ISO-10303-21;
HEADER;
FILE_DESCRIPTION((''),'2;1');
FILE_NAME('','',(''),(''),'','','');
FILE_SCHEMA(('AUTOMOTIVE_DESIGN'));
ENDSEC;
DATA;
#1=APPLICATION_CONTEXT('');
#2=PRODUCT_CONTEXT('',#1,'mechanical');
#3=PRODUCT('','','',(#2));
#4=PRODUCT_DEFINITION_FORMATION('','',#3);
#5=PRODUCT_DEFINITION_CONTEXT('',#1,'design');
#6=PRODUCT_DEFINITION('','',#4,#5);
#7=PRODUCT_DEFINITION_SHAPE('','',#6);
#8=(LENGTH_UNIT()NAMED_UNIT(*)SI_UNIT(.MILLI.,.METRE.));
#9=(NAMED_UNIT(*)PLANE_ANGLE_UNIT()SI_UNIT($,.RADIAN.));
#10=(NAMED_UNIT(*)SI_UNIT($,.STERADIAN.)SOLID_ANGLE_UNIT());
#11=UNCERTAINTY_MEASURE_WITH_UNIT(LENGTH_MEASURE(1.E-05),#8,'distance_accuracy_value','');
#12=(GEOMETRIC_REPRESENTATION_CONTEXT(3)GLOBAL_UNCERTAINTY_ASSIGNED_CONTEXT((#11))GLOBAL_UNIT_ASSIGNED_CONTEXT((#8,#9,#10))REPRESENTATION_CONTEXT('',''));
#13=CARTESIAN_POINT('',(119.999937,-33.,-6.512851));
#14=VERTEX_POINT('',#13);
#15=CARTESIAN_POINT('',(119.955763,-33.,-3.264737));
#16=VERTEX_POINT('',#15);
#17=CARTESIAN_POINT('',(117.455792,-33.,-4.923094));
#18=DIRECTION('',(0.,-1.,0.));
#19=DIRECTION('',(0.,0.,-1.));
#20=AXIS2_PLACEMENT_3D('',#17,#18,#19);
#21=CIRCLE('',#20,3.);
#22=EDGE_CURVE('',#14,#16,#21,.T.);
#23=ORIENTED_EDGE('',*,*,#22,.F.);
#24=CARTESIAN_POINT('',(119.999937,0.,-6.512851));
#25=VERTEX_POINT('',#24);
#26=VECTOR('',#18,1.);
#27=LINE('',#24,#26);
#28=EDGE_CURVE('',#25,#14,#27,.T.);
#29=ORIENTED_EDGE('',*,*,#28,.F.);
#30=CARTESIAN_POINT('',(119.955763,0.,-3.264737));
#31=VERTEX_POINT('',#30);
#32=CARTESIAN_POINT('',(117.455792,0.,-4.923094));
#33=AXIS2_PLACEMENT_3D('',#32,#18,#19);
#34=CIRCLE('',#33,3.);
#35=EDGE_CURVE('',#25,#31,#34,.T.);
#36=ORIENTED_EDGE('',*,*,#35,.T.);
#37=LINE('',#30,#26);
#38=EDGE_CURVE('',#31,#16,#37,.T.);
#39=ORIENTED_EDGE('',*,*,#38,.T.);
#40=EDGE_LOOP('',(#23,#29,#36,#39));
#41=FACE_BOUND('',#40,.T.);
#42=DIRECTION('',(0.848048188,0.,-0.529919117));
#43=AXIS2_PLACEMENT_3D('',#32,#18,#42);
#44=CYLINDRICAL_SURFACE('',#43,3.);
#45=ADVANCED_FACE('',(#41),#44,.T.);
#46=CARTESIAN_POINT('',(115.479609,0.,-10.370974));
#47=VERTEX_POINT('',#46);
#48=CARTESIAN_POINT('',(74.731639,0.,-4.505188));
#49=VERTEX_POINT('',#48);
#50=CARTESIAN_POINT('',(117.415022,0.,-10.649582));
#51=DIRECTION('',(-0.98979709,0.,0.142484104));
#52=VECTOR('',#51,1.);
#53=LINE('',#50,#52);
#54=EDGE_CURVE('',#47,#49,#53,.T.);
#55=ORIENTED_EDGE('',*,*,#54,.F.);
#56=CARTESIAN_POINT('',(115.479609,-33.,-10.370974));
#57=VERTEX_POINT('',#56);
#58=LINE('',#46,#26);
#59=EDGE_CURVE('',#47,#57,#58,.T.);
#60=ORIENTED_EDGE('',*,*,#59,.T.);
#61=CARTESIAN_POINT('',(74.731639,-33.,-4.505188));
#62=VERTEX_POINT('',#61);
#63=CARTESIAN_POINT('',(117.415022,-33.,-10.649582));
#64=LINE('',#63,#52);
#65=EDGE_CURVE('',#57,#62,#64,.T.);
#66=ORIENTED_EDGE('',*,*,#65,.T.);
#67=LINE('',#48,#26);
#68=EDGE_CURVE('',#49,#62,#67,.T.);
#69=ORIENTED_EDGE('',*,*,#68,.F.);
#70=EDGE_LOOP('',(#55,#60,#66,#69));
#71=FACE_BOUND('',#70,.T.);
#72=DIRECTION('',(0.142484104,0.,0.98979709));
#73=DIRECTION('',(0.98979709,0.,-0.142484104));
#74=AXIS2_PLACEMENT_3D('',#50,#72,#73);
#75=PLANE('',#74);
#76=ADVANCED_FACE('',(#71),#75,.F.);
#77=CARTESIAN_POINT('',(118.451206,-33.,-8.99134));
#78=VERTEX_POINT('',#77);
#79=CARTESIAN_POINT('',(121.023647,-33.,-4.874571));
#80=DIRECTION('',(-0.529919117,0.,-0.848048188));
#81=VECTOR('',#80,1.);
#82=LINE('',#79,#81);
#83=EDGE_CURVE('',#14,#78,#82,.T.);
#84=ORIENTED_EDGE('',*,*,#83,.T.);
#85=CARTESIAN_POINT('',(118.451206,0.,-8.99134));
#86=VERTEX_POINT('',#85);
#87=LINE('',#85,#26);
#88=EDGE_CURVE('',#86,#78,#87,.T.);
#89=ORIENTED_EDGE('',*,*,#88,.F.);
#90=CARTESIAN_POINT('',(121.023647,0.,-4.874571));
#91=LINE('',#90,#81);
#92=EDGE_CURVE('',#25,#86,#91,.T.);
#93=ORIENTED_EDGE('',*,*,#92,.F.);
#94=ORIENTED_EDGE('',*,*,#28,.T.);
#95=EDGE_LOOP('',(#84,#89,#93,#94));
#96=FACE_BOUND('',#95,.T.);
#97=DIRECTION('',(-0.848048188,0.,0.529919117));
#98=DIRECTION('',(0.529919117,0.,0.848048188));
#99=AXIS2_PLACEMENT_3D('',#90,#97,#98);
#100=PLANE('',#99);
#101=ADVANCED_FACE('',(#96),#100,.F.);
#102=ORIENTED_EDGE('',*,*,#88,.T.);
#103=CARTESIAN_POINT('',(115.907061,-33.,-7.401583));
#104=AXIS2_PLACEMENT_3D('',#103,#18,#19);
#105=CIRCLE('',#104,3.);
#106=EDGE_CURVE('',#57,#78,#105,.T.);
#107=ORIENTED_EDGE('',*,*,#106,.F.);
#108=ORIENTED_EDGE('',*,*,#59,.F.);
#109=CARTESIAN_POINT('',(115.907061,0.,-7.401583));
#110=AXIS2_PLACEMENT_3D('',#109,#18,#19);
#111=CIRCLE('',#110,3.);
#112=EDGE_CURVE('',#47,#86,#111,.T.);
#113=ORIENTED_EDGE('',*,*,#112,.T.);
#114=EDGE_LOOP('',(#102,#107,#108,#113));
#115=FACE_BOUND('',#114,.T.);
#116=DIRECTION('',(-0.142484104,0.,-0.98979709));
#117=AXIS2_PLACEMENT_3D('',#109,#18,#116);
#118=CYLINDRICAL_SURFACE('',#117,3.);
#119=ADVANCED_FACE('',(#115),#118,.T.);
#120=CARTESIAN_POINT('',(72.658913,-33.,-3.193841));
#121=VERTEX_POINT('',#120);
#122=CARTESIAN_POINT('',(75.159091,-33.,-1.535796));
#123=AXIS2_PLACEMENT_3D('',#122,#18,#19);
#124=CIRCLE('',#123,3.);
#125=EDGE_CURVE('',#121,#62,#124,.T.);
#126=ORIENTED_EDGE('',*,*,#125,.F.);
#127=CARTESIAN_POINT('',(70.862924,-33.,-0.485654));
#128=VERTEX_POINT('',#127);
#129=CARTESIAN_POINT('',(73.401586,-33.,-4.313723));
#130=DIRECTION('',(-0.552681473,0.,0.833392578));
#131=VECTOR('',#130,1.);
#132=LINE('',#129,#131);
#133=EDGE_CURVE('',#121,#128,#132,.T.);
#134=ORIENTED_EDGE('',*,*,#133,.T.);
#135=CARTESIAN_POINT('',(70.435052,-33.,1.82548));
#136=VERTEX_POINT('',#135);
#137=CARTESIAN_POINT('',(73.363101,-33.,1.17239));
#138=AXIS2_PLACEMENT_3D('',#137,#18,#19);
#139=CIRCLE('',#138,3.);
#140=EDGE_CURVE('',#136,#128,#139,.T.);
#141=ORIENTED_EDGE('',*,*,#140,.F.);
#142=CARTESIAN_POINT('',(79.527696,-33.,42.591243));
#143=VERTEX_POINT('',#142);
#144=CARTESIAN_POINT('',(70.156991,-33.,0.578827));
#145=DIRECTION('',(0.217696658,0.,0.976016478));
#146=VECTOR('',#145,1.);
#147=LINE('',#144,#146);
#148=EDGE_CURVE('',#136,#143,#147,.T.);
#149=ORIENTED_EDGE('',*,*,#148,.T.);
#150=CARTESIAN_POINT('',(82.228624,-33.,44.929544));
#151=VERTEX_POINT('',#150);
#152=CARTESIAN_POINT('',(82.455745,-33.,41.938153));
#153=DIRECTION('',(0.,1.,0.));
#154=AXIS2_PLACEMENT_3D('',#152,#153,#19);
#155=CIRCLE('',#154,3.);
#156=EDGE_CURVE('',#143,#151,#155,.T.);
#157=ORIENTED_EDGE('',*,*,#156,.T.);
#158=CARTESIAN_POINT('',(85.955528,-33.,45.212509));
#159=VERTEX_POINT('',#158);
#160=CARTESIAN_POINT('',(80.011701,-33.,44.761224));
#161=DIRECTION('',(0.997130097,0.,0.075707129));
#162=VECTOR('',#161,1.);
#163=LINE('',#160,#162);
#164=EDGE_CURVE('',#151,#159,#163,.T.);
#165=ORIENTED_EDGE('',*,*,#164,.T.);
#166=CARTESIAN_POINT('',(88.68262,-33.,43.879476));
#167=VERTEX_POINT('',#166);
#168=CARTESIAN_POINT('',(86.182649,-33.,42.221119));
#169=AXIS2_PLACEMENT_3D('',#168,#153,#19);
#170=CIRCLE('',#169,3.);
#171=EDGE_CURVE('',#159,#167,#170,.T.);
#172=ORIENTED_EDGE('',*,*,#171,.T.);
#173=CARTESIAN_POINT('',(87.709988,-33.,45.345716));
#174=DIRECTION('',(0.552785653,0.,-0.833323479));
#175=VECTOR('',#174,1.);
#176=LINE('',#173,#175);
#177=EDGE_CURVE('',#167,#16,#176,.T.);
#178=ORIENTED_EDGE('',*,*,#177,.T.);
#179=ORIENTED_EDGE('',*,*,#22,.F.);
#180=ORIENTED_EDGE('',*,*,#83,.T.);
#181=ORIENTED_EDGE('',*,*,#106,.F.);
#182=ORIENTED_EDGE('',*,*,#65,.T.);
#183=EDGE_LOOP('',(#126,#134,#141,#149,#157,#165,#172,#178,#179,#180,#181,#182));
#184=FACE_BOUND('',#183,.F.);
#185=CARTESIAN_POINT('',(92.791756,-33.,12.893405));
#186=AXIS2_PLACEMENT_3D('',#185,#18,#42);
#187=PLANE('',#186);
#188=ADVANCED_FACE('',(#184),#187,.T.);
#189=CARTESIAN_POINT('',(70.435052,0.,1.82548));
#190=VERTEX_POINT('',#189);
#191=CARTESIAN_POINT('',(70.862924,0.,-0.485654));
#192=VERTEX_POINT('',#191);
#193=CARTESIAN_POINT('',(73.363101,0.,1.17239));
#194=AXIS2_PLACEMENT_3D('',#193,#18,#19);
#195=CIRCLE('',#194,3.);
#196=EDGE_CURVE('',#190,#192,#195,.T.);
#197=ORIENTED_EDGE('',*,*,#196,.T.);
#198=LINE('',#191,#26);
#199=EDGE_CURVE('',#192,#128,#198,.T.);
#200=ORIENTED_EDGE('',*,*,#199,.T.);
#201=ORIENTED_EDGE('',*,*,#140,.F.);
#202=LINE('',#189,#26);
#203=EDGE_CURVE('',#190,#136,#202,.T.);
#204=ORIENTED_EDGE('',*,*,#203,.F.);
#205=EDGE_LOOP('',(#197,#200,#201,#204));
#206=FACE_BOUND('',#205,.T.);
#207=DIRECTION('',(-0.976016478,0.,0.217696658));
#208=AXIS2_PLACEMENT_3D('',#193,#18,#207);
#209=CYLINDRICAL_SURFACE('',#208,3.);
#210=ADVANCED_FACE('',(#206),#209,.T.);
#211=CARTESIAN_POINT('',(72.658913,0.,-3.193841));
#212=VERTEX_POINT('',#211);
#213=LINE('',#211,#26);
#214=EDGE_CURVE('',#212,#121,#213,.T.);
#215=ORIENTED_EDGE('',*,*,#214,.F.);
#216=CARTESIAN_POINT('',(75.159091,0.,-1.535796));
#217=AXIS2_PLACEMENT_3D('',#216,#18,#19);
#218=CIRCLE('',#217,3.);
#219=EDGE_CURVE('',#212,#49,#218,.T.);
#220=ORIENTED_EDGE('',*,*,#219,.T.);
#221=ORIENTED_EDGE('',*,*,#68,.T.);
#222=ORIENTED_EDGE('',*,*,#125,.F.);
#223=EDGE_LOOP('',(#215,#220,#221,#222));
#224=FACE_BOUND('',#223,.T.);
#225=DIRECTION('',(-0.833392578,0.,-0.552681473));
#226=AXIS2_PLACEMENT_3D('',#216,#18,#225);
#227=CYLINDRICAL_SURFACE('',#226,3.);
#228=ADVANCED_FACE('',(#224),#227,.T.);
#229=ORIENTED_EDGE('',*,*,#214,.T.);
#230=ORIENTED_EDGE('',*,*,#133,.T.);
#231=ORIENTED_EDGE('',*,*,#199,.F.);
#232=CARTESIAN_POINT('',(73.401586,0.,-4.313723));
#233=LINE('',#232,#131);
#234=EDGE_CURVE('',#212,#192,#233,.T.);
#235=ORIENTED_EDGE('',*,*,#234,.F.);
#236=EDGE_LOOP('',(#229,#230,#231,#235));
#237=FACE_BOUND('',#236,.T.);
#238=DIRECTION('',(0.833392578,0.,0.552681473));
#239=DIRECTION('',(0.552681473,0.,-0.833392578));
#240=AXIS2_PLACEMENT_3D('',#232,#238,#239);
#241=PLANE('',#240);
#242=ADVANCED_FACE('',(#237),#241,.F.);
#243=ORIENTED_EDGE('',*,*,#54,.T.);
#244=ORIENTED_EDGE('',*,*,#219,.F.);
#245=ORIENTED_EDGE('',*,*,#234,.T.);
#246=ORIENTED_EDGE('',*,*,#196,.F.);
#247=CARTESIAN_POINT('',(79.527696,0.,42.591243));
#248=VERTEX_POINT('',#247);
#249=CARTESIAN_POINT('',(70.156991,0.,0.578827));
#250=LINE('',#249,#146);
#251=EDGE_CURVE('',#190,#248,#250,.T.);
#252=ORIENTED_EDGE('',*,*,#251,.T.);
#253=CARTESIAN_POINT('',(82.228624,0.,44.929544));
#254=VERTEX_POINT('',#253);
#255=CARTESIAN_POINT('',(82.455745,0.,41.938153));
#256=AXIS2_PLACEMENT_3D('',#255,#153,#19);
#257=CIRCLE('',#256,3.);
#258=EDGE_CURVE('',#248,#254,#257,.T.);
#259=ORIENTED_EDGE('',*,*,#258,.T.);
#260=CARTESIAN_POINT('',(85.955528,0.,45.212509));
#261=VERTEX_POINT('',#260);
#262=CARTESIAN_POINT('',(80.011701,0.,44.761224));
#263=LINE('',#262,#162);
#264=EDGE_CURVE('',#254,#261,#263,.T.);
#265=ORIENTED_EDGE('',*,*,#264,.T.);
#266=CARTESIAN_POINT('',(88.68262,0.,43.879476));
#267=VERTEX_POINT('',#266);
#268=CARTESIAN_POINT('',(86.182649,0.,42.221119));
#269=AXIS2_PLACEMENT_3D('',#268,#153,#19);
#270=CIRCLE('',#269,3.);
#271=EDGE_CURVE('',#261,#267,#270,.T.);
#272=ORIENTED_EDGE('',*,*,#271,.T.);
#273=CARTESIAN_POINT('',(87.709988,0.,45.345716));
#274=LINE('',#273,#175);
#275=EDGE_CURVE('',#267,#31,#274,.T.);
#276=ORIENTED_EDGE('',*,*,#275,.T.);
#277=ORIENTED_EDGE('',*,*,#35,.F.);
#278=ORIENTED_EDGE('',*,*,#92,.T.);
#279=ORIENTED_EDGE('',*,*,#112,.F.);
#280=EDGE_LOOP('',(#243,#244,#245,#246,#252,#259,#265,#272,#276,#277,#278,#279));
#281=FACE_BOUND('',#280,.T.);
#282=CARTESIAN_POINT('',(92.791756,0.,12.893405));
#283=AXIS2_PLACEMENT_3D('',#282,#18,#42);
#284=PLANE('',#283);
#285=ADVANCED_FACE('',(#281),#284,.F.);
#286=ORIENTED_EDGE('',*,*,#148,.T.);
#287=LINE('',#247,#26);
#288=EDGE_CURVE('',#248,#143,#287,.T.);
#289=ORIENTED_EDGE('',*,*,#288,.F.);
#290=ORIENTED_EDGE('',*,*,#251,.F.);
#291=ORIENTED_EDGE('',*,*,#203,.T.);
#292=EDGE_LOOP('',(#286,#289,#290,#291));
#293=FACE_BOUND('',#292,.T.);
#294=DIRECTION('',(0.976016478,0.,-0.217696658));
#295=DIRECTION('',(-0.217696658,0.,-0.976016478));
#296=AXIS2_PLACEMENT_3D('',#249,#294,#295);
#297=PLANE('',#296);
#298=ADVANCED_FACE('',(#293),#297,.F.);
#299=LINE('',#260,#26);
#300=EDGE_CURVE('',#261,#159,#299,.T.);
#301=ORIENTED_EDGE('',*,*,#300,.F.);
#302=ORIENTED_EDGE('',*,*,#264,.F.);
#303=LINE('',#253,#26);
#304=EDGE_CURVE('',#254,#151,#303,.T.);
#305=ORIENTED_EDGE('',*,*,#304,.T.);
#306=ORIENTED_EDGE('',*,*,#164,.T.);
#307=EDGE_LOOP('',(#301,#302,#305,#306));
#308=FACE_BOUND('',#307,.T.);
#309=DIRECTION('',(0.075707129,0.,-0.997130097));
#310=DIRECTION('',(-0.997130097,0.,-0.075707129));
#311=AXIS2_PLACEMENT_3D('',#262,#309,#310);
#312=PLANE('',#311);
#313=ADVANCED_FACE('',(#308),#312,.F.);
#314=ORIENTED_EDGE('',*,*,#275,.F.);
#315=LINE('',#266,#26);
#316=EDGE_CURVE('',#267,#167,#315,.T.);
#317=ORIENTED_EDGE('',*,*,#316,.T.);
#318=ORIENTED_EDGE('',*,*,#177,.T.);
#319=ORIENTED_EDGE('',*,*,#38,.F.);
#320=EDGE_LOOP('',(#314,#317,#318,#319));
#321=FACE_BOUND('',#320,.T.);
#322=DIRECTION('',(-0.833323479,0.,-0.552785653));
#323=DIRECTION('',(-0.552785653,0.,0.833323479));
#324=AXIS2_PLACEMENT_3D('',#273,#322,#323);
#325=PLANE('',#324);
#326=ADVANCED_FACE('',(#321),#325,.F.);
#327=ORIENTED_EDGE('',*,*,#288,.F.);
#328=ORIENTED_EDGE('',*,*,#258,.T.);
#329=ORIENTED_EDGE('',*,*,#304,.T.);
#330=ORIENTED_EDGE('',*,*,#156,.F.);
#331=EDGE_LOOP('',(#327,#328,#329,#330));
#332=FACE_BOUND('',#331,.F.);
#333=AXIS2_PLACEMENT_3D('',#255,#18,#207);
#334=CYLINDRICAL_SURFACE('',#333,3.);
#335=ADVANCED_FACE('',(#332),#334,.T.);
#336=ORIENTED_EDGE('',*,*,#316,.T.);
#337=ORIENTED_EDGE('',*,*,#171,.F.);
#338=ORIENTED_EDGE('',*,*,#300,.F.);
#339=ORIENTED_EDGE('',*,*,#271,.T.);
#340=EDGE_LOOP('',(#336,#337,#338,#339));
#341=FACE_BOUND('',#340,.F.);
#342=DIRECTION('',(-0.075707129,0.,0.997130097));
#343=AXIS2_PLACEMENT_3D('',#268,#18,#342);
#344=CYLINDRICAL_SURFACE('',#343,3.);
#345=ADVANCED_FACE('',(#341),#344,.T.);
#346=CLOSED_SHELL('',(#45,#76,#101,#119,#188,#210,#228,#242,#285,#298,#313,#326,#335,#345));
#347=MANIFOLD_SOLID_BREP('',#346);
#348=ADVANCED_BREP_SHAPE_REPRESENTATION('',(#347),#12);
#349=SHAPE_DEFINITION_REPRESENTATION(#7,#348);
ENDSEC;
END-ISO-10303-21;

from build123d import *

# Parameters (mm, degrees)
PAD018_DEPTH = 33
FILLET019_R  = 3
FILLET020_R  = 3


with BuildPart() as fillet020:
    # Sketch023 → Pad018 (new body)
    with BuildSketch(Plane(origin=(0, 0, 0), x_dir=(0.848048, 0, 0.529919), z_dir=(0, -1, 0))):
        Polygon((-40.765351, 19.72502), (-40.765351, 12.915253), (-0.082344, -5.035194), (5.261885, -2.605449), (20.317712, 40.085552), (14.098928, 44.660699), align=None)
    extrude(amount=PAD018_DEPTH)

    # Fillet019
    fillet019_edges = [fillet020.edges().sort_by_distance(p)[0] for p in [
        (-4.011709, -16.5, 44.761223),
        (-11.709995, -16.5, 45.345714),
    ]]
    fillet(fillet019_edges, radius=FILLET019_R)

    # Fillet020
    fillet020_edges = [fillet020.edges().sort_by_distance(p)[0] for p in [
        (5.843009, -16.5, 0.578828),
        (2.598414, -16.5, -4.313722),
        (-41.41502, -16.5, -10.649589),
        (-45.023647, -16.5, -4.874579),
    ]]
    fillet(fillet020_edges, radius=FILLET020_R)


with BuildPart() as part_mirroring015:
    # Part__Mirroring015: instance of Fillet020
    add(fillet020.part.mirror(Plane(origin=(0, 0, 0), x_dir=(0, -1, 0), z_dir=(1, 0, 0))))


with BuildPart() as part_mirroring015_1:
    # Part__Mirroring015 placement: moved
    add(part_mirroring015.part.moved(Location((76, 0, 0))))


solid = part_mirroring015_1.part
